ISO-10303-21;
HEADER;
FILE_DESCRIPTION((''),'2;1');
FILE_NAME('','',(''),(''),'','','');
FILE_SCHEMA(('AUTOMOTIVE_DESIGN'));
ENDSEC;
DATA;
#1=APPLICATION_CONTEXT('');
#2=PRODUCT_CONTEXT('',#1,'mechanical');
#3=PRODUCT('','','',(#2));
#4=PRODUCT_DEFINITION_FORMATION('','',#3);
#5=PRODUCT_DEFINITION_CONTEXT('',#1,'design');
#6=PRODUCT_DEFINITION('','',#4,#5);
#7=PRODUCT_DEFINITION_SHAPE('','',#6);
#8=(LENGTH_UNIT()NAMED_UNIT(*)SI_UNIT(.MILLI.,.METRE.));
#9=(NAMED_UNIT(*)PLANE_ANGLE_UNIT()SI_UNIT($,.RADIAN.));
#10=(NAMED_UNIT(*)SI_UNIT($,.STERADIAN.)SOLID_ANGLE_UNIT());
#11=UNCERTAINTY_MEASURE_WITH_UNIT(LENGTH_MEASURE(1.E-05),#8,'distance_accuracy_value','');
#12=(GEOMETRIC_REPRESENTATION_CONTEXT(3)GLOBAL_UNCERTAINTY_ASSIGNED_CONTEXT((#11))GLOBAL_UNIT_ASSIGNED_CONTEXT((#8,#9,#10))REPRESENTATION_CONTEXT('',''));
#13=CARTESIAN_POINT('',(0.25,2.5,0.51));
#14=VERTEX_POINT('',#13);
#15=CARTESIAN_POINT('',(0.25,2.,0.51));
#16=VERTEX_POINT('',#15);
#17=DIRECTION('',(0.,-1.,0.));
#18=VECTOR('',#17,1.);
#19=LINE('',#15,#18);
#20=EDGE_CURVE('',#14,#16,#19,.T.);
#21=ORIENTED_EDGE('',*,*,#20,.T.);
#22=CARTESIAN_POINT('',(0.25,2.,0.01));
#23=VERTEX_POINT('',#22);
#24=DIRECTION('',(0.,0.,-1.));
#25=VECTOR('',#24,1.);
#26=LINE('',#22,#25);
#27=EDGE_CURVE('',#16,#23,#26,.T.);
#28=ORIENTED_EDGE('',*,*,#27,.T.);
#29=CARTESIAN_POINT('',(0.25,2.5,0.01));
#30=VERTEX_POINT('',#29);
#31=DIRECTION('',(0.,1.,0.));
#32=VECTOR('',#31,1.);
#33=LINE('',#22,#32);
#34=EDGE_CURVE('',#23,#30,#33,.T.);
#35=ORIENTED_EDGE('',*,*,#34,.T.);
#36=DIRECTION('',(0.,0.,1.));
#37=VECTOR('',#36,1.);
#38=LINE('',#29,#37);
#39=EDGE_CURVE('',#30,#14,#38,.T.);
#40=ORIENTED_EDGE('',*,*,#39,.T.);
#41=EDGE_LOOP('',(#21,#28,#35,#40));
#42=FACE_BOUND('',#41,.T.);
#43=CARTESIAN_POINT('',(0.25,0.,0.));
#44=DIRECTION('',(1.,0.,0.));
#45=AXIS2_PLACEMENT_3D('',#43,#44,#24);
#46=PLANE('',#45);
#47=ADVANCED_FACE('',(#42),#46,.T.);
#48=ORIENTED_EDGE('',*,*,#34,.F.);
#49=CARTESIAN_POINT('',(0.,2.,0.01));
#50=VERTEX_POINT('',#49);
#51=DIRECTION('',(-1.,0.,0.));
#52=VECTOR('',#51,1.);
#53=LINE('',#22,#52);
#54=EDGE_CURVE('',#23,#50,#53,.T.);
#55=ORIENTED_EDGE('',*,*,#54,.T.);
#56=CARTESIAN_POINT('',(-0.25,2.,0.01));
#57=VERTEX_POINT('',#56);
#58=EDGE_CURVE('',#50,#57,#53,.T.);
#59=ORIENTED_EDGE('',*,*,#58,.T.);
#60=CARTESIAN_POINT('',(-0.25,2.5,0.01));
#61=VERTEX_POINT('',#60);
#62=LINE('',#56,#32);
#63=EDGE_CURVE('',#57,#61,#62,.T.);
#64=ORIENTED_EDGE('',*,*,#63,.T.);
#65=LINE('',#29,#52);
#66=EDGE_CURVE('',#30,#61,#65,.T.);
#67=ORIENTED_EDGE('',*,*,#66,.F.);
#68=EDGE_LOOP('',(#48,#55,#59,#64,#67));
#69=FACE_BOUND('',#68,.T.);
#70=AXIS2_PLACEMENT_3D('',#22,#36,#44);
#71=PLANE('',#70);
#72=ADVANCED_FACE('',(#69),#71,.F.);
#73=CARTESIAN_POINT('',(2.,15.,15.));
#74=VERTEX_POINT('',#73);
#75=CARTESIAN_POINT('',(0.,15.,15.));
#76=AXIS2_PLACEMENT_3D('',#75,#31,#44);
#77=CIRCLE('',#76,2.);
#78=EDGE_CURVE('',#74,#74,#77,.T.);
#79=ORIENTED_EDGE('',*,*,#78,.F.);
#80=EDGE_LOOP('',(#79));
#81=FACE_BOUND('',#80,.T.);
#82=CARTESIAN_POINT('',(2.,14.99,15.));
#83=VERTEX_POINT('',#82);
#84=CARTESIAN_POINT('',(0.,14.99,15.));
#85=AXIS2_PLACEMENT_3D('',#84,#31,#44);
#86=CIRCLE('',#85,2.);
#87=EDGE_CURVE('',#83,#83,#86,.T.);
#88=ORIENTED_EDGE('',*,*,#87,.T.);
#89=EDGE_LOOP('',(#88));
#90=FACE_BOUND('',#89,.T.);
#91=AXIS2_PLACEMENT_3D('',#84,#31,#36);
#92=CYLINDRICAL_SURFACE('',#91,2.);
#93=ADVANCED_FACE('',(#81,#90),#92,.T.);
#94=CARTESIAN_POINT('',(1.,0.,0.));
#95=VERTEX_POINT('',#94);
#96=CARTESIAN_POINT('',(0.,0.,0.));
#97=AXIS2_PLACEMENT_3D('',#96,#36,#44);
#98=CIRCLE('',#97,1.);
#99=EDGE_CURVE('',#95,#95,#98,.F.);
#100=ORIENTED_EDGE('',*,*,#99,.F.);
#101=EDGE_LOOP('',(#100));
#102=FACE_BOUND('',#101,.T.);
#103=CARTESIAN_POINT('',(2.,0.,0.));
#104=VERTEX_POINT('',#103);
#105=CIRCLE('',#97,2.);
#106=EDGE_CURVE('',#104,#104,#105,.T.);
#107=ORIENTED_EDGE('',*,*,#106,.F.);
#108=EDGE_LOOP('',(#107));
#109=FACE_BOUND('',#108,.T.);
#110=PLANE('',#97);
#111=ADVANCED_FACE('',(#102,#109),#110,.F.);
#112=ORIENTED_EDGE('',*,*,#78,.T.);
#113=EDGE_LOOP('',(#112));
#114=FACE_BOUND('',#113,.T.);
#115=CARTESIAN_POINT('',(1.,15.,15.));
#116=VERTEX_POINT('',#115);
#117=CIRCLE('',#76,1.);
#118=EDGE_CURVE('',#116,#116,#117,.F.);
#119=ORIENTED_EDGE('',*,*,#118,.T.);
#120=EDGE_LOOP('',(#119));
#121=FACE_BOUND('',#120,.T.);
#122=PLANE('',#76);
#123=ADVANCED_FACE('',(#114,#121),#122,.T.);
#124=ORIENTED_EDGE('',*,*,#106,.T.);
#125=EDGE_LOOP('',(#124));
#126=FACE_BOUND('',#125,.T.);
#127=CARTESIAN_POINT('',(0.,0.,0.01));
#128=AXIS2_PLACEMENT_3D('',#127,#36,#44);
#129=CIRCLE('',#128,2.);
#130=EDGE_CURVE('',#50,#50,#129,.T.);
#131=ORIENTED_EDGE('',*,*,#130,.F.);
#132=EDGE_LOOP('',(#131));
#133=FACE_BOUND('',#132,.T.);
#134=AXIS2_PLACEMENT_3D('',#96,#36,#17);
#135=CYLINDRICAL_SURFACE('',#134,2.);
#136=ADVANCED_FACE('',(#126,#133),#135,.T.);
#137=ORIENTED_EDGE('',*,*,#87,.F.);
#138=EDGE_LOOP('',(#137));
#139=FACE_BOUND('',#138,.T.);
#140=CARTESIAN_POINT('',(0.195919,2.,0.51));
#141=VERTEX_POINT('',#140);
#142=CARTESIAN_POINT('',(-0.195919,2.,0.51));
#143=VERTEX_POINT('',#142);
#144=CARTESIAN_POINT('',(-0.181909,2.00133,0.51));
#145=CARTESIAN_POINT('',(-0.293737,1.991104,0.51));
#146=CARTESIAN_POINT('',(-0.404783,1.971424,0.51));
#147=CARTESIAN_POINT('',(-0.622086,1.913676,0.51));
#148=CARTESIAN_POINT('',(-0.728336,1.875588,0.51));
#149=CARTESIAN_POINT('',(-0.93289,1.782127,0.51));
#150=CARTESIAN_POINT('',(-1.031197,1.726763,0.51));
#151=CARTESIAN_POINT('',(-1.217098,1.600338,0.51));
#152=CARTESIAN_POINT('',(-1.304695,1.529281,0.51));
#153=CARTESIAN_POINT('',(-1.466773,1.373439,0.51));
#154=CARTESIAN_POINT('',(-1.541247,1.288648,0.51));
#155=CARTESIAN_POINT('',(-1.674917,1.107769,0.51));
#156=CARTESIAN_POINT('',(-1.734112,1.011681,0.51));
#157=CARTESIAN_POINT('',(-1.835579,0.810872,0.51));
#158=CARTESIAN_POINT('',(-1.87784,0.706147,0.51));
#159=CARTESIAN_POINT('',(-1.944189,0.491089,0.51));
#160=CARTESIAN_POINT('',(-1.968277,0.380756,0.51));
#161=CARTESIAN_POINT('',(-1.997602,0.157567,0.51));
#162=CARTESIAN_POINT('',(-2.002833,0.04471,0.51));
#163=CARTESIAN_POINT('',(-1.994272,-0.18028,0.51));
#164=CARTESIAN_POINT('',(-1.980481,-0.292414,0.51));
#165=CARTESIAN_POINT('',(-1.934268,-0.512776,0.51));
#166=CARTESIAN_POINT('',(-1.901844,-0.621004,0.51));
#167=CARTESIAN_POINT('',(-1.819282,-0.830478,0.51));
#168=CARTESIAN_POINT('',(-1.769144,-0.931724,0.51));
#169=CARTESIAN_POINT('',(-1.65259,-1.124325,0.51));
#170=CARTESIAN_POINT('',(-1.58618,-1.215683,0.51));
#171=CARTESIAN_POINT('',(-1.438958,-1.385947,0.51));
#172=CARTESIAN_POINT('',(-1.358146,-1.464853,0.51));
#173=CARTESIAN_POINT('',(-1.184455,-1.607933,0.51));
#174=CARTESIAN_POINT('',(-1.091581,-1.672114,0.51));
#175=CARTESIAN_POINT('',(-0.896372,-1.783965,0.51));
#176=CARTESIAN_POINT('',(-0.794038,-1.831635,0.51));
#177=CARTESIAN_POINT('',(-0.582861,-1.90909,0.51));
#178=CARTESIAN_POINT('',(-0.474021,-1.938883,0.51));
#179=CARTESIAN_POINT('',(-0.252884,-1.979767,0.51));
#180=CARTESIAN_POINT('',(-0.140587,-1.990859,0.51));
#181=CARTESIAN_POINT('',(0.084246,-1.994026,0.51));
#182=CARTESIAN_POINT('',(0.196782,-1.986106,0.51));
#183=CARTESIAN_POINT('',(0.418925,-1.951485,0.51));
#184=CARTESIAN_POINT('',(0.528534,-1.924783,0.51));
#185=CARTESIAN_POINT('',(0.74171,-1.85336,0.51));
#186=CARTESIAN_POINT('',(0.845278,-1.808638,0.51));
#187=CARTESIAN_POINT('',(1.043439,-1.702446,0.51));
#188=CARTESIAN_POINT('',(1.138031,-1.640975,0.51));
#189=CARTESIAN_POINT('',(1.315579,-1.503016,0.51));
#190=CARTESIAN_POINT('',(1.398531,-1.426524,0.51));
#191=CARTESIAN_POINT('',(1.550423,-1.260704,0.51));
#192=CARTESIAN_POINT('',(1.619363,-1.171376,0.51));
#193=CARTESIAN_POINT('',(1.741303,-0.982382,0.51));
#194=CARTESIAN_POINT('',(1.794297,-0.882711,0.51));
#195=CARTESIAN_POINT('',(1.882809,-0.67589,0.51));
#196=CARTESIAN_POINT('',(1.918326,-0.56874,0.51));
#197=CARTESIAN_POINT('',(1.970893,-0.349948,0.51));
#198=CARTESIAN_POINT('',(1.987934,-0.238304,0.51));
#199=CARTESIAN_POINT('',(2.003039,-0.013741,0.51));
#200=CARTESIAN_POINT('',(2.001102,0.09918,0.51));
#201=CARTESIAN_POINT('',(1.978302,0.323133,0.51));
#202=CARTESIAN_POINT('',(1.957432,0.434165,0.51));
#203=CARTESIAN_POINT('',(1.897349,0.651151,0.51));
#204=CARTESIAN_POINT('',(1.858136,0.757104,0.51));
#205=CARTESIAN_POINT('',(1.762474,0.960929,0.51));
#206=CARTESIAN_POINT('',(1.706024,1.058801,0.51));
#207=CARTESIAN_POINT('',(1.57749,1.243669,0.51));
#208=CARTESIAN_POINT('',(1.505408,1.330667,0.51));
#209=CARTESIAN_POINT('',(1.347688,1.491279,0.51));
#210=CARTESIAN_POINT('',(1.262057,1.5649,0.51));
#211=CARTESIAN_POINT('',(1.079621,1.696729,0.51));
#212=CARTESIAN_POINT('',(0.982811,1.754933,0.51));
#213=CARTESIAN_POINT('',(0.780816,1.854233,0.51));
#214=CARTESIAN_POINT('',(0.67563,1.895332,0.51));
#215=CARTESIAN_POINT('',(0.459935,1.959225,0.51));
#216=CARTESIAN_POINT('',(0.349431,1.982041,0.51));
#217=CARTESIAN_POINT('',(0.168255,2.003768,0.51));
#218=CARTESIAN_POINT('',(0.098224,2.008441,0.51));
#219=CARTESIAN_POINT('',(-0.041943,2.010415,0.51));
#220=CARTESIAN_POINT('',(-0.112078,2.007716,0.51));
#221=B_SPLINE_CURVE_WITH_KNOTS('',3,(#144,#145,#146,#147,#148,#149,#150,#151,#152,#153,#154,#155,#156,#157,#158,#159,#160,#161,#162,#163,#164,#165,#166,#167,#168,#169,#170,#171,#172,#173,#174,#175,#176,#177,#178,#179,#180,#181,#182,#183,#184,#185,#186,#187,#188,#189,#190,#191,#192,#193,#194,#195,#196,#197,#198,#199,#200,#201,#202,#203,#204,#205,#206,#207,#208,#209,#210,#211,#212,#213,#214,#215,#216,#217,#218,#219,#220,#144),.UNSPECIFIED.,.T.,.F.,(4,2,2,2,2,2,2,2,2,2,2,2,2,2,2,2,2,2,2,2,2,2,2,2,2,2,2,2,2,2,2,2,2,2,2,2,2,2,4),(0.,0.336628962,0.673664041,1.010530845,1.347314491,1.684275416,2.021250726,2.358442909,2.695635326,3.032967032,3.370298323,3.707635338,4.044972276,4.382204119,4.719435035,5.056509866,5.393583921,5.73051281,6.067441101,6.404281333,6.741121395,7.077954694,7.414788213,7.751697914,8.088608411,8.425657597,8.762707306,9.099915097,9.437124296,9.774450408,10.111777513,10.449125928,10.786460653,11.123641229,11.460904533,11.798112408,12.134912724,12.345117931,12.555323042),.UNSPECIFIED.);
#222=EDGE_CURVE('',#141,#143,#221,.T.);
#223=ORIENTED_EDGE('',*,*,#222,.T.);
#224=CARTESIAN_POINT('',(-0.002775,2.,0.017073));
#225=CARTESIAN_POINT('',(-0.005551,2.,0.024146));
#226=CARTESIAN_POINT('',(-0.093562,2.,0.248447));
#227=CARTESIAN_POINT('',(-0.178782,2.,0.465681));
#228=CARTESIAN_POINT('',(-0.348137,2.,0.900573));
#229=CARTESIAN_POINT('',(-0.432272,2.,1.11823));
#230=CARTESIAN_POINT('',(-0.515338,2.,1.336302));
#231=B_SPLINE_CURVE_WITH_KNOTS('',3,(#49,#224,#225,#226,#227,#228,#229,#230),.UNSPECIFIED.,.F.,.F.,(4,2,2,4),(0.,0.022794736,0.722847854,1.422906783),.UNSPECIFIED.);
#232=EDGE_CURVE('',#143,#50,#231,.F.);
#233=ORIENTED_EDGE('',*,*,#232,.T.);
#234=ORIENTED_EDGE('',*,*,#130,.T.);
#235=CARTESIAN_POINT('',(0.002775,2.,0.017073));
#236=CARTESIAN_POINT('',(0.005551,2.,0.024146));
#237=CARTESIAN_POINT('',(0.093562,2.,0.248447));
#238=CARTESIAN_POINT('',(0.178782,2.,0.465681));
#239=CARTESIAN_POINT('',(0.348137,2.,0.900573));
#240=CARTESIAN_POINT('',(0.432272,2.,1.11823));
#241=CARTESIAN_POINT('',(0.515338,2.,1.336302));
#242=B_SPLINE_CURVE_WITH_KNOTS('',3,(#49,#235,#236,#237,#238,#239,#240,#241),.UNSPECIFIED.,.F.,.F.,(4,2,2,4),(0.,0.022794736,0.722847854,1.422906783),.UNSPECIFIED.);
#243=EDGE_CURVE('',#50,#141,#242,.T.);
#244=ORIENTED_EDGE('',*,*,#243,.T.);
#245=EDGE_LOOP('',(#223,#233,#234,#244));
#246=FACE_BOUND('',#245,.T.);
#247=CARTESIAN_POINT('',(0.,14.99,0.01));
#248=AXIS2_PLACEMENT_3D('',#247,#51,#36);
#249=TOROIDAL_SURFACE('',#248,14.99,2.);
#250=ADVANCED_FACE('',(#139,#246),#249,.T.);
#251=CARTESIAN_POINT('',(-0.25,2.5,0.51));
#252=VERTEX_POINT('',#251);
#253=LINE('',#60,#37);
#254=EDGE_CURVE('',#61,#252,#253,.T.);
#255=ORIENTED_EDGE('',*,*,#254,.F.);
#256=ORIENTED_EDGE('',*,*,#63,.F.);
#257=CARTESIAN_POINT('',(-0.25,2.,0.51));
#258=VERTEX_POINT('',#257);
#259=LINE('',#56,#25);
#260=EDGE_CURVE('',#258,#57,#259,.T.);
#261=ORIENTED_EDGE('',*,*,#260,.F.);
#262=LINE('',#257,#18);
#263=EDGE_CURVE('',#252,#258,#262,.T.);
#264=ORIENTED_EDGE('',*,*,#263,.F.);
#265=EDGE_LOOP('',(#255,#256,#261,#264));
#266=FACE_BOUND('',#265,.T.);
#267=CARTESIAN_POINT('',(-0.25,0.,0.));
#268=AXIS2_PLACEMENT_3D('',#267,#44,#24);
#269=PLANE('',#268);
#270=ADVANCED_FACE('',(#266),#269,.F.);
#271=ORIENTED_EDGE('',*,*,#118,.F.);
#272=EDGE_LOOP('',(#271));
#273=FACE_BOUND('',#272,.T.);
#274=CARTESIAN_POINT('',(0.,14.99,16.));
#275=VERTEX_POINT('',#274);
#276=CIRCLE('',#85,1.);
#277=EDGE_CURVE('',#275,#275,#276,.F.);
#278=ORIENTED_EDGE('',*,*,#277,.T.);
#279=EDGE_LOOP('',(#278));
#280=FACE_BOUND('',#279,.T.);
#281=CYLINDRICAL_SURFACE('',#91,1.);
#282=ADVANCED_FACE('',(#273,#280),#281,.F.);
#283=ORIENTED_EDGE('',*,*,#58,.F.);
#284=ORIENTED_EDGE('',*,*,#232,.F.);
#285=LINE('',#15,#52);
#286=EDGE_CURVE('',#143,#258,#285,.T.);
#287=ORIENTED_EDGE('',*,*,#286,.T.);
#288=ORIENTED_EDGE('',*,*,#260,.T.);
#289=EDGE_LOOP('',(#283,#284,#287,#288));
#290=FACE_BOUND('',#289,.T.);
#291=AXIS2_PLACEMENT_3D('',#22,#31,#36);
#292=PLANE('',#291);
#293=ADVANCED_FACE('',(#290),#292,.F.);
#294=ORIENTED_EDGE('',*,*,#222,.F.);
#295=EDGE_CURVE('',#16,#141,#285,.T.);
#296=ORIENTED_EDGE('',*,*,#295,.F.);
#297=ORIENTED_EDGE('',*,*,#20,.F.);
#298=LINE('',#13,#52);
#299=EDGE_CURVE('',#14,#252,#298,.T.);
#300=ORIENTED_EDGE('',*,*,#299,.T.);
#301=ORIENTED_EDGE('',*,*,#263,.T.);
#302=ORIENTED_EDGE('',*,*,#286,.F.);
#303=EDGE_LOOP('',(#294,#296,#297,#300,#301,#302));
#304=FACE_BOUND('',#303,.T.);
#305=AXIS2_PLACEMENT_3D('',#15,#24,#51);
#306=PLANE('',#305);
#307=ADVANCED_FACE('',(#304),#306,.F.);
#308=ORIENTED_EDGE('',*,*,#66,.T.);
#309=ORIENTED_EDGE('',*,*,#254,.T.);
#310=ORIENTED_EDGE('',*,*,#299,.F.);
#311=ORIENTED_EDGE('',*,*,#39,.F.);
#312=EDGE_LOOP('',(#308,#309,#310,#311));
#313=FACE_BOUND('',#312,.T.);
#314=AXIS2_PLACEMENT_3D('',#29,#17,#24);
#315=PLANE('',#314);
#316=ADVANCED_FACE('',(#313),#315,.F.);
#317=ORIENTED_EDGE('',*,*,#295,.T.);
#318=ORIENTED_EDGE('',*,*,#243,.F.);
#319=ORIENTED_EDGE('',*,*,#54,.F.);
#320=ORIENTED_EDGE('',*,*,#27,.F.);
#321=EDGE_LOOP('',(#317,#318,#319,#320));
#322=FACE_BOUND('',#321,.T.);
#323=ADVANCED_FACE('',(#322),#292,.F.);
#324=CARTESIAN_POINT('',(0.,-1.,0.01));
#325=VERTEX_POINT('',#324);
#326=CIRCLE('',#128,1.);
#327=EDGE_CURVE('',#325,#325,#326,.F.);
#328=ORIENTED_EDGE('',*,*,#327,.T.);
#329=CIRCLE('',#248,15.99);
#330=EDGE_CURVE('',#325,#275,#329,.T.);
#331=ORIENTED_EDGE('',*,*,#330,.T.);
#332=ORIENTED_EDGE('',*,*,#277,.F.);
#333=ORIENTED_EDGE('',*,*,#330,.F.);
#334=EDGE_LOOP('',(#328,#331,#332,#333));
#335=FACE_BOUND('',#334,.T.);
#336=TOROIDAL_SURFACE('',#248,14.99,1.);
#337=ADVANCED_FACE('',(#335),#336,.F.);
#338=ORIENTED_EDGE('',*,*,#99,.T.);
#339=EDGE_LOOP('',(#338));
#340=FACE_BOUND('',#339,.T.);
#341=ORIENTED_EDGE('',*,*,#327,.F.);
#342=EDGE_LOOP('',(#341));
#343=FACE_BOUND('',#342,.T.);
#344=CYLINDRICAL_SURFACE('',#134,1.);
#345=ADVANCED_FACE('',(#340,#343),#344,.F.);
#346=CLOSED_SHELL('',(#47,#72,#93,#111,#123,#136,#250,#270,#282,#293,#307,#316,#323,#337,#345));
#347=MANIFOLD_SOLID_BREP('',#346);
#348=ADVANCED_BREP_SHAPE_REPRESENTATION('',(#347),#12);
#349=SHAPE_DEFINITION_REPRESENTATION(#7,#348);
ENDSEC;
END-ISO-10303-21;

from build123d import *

# Parameters (mm, degrees)
SKETCH1_R           = 2
SKETCH1_R_2         = 1
SKETCH3_W           = 0.5
SKETCH3_H           = 0.5
BOSS_EXTRUDE1_DEPTH = 0.25


with BuildPart() as part:
    # Sweep1: sweep along a path in Sketch2
    with BuildLine(Plane(origin=(0, 0, 0), x_dir=(0, 0, -1), z_dir=(1, 0, 0))) as sweep1_path:
        Line((0, 0), (-0.01, 0))
        ThreePointArc((-0.01, 0), (-10.60953065, 4.39046935), (-15, 14.99))
        Line((-15, 14.99), (-15, 15))
    # Sketch1 → Sweep1 (sweep)
    with BuildSketch(Plane.XY):
        Circle(SKETCH1_R)
        Circle(SKETCH1_R_2, mode=Mode.SUBTRACT)
    sweep(path=sweep1_path.line)

    # Sketch3 → Boss-Extrude1 (add, symmetric)
    with BuildSketch(Plane(origin=(0, 0, 0), x_dir=(0, 0, -1), z_dir=(1, 0, 0))):
        with Locations((-0.26, 2.25)):
            Rectangle(SKETCH3_W, SKETCH3_H)
    extrude(amount=BOSS_EXTRUDE1_DEPTH, both=True)


solid = part.part
